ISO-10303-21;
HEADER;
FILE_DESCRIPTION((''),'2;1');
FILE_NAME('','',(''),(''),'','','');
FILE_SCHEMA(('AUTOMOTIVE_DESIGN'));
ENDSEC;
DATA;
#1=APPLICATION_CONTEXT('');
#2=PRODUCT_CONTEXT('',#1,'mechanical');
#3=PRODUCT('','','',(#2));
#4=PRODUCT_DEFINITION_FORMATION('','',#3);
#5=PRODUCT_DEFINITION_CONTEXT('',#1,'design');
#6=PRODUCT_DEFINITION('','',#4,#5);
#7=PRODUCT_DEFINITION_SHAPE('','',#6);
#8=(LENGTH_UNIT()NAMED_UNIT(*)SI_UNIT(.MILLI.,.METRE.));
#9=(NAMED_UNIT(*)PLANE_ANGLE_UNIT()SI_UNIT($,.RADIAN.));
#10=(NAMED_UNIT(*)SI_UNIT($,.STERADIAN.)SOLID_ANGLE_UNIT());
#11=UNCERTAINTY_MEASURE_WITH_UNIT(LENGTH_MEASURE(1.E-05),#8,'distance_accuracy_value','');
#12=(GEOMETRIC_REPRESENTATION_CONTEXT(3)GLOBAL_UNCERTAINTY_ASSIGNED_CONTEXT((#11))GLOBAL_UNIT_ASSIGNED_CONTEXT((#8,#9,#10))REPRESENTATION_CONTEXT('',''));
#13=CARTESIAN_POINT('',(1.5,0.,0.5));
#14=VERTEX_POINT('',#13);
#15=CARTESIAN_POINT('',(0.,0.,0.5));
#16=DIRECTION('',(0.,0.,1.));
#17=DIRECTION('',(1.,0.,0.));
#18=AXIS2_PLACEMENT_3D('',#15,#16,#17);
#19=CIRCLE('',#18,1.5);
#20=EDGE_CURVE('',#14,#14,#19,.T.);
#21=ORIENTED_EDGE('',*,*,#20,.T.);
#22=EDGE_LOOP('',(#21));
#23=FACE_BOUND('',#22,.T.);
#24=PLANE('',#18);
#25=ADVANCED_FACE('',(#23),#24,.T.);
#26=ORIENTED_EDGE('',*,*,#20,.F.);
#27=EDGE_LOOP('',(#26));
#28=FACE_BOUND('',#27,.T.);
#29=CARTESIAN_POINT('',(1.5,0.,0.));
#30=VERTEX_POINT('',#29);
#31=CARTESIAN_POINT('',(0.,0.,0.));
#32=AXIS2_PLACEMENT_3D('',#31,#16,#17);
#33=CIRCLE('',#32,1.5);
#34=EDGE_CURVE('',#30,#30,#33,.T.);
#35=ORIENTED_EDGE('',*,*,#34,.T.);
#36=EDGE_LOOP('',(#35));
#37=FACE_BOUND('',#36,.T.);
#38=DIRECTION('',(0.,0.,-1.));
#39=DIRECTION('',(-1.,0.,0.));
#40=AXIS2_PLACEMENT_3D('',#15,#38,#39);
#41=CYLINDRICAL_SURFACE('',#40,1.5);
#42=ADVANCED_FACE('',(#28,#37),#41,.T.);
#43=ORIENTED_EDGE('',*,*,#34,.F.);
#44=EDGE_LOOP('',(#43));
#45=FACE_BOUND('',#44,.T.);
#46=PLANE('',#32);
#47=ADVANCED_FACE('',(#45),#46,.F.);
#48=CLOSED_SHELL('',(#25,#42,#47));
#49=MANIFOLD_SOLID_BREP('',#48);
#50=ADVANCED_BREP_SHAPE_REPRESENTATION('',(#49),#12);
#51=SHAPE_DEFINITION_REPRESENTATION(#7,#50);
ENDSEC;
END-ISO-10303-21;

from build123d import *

# Parameters (mm, degrees)
SKETCH_1_R      = 1.5
EXTRUDE_1_DEPTH = 0.5


with BuildPart() as part:
    # 草图1 → 凸台-拉伸1 (new body)
    with BuildSketch(Plane.XY):
        Circle(SKETCH_1_R)
    extrude(amount=EXTRUDE_1_DEPTH)


solid = part.part
